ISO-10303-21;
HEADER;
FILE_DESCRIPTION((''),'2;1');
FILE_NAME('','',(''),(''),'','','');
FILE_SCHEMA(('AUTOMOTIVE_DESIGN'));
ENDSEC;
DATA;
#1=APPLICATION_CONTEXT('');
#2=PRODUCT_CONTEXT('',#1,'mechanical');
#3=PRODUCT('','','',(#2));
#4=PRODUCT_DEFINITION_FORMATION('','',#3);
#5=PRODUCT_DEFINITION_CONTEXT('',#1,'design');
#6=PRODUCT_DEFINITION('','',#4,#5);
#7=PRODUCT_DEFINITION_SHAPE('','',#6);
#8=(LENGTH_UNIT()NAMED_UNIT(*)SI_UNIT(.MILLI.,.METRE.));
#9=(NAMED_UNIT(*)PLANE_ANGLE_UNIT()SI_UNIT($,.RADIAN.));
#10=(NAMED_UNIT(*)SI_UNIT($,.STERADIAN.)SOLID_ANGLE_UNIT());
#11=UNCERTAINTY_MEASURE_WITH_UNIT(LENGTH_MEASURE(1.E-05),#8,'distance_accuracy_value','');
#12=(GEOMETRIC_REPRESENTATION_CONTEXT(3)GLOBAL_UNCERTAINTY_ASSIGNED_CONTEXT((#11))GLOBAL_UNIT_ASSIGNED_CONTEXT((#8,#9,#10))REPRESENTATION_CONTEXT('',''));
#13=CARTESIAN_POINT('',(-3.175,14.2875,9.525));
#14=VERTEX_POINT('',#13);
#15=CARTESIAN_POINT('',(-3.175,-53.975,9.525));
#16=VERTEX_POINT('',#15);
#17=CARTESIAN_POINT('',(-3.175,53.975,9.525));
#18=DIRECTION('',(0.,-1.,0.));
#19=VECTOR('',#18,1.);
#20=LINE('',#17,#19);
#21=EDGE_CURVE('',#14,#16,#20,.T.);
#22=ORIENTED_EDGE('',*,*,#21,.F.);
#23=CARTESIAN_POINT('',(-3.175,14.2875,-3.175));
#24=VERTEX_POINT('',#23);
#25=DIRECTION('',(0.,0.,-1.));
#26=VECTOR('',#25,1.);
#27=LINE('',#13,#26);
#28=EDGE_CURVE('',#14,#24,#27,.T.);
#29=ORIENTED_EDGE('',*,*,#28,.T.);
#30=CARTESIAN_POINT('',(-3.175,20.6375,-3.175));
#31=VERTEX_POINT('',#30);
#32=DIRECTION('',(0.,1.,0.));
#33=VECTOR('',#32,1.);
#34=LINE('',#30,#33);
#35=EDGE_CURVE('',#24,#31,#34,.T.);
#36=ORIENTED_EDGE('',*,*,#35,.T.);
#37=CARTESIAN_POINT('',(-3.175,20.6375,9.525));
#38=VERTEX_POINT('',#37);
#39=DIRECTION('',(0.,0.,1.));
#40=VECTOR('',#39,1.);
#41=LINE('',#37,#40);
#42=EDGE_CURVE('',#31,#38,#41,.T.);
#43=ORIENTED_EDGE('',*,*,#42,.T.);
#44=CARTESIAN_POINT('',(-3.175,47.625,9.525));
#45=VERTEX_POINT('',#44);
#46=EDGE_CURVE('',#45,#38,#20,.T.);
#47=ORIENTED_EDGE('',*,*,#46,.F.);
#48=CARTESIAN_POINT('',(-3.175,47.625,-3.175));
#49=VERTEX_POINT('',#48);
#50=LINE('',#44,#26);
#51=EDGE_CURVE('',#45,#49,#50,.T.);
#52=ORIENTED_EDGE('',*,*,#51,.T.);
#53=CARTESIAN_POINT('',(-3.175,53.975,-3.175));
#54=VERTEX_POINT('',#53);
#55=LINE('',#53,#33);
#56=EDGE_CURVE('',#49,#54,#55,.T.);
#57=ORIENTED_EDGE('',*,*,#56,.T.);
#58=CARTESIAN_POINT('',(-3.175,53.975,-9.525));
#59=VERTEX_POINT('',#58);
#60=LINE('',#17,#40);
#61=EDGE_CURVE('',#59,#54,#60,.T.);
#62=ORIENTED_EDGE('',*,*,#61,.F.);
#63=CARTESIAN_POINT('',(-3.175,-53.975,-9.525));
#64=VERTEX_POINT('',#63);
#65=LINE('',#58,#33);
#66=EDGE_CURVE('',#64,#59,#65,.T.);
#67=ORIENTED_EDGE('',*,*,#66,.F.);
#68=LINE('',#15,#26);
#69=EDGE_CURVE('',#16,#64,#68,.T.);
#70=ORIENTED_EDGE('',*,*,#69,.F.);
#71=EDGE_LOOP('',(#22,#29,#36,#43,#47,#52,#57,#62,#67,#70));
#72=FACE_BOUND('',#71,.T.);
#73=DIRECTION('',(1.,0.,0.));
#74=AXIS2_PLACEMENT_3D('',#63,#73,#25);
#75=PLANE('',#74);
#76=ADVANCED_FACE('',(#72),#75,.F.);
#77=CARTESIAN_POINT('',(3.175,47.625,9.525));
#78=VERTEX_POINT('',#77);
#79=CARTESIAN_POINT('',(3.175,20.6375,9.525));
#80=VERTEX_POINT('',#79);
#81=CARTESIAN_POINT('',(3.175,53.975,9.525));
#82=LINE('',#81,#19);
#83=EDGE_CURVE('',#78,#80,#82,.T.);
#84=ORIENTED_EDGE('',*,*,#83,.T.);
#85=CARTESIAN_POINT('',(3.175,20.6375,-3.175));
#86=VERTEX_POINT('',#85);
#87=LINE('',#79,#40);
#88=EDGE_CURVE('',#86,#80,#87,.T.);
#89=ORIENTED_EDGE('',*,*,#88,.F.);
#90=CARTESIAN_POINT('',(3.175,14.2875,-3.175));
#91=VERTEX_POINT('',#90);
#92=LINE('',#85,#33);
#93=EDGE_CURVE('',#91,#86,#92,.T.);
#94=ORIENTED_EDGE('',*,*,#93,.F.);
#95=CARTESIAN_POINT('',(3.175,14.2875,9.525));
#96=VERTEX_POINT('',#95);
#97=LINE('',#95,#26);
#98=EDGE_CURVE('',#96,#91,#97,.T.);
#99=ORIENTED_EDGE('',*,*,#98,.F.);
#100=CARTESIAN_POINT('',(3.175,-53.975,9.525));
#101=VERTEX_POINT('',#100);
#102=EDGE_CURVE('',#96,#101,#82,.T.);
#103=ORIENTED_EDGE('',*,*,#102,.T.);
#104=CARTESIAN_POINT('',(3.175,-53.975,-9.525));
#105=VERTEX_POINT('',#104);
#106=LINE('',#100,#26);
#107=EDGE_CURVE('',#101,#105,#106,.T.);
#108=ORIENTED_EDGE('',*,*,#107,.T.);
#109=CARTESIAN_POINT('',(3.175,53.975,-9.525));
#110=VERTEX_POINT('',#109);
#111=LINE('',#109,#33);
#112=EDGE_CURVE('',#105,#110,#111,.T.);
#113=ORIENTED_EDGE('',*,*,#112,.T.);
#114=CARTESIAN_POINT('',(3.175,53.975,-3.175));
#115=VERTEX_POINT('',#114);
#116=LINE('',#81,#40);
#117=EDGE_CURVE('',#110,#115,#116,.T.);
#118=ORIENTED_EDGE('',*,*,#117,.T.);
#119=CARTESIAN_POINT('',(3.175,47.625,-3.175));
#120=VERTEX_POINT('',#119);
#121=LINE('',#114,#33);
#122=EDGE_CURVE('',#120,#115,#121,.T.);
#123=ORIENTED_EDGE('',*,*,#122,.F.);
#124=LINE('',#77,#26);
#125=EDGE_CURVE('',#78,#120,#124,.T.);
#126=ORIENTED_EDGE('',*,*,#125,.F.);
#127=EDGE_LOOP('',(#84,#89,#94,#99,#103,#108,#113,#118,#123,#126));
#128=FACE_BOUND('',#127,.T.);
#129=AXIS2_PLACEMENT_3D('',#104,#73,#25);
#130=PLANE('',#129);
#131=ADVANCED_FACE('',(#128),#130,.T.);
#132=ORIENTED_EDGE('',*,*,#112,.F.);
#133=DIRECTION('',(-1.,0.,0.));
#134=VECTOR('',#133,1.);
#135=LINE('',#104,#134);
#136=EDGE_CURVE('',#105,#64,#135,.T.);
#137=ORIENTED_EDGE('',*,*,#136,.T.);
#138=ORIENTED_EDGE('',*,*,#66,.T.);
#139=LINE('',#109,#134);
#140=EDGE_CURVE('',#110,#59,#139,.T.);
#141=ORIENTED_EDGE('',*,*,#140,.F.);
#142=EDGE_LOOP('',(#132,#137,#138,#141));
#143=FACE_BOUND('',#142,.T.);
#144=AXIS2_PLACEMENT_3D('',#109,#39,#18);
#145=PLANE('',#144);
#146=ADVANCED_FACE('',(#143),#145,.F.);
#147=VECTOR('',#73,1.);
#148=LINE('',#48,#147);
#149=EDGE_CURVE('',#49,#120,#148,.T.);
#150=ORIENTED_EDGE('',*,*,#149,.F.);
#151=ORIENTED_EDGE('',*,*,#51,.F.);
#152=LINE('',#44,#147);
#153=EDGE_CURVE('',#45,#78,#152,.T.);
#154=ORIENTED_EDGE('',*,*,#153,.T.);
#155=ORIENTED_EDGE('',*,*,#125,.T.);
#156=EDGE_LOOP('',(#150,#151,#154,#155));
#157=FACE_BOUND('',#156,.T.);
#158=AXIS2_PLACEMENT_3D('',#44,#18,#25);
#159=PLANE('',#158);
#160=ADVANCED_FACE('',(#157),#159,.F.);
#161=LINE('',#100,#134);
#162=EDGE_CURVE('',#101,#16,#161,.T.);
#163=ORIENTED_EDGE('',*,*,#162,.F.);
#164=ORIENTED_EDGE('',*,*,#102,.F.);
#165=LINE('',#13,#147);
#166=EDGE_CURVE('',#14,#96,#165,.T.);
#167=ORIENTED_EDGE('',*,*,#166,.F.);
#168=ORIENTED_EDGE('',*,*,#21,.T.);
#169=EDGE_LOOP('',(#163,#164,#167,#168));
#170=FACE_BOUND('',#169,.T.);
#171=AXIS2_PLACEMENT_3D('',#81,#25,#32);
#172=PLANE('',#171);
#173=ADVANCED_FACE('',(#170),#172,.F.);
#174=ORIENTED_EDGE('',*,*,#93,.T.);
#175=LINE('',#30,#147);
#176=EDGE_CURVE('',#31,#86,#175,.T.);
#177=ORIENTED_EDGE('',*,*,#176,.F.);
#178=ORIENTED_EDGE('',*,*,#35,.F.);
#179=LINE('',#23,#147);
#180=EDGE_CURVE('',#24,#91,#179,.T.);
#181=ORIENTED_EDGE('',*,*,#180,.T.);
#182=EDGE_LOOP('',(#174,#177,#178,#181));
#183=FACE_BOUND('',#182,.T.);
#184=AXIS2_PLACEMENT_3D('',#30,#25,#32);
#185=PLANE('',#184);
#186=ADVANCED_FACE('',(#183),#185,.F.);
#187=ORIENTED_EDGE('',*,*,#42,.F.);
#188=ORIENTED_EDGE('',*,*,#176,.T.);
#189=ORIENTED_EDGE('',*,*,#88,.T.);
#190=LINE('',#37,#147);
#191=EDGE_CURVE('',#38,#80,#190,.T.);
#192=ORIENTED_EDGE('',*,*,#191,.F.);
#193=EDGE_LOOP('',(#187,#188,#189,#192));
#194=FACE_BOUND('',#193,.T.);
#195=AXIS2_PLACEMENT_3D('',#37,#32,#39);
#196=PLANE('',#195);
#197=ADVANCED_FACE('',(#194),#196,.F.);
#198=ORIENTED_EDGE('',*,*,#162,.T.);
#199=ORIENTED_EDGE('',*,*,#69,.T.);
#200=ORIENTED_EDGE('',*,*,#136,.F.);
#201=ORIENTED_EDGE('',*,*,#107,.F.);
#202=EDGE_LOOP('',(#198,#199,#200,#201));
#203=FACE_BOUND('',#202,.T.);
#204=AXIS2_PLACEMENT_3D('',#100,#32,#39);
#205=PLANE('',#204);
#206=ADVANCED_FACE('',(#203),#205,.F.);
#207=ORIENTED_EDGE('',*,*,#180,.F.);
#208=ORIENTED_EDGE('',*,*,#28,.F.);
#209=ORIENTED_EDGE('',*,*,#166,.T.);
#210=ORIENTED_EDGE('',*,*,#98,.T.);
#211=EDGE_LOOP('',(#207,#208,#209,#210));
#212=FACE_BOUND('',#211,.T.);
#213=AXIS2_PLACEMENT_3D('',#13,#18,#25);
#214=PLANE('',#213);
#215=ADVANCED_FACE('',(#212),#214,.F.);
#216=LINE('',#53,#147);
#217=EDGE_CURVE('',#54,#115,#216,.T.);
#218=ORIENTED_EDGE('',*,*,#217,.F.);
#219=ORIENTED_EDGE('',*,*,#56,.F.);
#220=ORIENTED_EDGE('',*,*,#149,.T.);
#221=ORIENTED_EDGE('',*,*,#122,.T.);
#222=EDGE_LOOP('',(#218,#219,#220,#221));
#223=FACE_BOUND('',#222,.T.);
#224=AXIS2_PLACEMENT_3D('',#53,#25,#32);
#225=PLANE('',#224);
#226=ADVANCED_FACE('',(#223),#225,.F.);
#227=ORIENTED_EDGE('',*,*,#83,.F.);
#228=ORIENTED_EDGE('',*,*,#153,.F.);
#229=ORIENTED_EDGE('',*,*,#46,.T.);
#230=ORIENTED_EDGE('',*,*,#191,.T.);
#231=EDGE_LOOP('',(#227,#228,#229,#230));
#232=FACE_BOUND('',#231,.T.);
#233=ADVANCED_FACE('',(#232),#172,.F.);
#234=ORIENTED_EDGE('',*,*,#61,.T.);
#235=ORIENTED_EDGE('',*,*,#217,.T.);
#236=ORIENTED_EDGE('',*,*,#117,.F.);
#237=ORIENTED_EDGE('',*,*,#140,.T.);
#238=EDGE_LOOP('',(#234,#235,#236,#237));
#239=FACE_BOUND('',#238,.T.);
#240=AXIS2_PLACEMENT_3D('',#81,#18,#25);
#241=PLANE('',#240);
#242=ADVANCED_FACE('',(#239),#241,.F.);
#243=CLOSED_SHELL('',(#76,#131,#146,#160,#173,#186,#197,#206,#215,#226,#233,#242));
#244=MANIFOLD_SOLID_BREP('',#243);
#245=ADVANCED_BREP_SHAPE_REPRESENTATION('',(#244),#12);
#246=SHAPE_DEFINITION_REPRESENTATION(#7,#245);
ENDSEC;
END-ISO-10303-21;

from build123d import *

# Parameters (mm, degrees)
SKETCH1_W           = 19.05
SKETCH1_H           = 107.95
BOSS_EXTRUDE1_DEPTH = 3.175
SKETCH2_W           = 12.7
SKETCH2_H           = 6.35
CUT_EXTRUDE1_DEPTH  = 7.35


with BuildPart() as part:
    # Sketch1 → Boss-Extrude1 (new body, symmetric)
    with BuildSketch(Plane(origin=(0, 0, 0), x_dir=(0, 0, -1), z_dir=(1, 0, 0))):
        Rectangle(SKETCH1_W, SKETCH1_H)
    extrude(amount=BOSS_EXTRUDE1_DEPTH, both=True)

    # Sketch2 → Cut-Extrude1 (cut, through all)
    with BuildSketch(Plane(origin=(3.175, 0, 0), x_dir=(0, 0, -1), z_dir=(1, 0, 0))):
        with Locations((-3.175, 50.8)):
            Rectangle(SKETCH2_W, SKETCH2_H)
        with Locations((-3.175, 17.4625)):
            Rectangle(SKETCH2_W, SKETCH2_H)
    extrude(amount=-CUT_EXTRUDE1_DEPTH, mode=Mode.SUBTRACT)


solid = part.part
